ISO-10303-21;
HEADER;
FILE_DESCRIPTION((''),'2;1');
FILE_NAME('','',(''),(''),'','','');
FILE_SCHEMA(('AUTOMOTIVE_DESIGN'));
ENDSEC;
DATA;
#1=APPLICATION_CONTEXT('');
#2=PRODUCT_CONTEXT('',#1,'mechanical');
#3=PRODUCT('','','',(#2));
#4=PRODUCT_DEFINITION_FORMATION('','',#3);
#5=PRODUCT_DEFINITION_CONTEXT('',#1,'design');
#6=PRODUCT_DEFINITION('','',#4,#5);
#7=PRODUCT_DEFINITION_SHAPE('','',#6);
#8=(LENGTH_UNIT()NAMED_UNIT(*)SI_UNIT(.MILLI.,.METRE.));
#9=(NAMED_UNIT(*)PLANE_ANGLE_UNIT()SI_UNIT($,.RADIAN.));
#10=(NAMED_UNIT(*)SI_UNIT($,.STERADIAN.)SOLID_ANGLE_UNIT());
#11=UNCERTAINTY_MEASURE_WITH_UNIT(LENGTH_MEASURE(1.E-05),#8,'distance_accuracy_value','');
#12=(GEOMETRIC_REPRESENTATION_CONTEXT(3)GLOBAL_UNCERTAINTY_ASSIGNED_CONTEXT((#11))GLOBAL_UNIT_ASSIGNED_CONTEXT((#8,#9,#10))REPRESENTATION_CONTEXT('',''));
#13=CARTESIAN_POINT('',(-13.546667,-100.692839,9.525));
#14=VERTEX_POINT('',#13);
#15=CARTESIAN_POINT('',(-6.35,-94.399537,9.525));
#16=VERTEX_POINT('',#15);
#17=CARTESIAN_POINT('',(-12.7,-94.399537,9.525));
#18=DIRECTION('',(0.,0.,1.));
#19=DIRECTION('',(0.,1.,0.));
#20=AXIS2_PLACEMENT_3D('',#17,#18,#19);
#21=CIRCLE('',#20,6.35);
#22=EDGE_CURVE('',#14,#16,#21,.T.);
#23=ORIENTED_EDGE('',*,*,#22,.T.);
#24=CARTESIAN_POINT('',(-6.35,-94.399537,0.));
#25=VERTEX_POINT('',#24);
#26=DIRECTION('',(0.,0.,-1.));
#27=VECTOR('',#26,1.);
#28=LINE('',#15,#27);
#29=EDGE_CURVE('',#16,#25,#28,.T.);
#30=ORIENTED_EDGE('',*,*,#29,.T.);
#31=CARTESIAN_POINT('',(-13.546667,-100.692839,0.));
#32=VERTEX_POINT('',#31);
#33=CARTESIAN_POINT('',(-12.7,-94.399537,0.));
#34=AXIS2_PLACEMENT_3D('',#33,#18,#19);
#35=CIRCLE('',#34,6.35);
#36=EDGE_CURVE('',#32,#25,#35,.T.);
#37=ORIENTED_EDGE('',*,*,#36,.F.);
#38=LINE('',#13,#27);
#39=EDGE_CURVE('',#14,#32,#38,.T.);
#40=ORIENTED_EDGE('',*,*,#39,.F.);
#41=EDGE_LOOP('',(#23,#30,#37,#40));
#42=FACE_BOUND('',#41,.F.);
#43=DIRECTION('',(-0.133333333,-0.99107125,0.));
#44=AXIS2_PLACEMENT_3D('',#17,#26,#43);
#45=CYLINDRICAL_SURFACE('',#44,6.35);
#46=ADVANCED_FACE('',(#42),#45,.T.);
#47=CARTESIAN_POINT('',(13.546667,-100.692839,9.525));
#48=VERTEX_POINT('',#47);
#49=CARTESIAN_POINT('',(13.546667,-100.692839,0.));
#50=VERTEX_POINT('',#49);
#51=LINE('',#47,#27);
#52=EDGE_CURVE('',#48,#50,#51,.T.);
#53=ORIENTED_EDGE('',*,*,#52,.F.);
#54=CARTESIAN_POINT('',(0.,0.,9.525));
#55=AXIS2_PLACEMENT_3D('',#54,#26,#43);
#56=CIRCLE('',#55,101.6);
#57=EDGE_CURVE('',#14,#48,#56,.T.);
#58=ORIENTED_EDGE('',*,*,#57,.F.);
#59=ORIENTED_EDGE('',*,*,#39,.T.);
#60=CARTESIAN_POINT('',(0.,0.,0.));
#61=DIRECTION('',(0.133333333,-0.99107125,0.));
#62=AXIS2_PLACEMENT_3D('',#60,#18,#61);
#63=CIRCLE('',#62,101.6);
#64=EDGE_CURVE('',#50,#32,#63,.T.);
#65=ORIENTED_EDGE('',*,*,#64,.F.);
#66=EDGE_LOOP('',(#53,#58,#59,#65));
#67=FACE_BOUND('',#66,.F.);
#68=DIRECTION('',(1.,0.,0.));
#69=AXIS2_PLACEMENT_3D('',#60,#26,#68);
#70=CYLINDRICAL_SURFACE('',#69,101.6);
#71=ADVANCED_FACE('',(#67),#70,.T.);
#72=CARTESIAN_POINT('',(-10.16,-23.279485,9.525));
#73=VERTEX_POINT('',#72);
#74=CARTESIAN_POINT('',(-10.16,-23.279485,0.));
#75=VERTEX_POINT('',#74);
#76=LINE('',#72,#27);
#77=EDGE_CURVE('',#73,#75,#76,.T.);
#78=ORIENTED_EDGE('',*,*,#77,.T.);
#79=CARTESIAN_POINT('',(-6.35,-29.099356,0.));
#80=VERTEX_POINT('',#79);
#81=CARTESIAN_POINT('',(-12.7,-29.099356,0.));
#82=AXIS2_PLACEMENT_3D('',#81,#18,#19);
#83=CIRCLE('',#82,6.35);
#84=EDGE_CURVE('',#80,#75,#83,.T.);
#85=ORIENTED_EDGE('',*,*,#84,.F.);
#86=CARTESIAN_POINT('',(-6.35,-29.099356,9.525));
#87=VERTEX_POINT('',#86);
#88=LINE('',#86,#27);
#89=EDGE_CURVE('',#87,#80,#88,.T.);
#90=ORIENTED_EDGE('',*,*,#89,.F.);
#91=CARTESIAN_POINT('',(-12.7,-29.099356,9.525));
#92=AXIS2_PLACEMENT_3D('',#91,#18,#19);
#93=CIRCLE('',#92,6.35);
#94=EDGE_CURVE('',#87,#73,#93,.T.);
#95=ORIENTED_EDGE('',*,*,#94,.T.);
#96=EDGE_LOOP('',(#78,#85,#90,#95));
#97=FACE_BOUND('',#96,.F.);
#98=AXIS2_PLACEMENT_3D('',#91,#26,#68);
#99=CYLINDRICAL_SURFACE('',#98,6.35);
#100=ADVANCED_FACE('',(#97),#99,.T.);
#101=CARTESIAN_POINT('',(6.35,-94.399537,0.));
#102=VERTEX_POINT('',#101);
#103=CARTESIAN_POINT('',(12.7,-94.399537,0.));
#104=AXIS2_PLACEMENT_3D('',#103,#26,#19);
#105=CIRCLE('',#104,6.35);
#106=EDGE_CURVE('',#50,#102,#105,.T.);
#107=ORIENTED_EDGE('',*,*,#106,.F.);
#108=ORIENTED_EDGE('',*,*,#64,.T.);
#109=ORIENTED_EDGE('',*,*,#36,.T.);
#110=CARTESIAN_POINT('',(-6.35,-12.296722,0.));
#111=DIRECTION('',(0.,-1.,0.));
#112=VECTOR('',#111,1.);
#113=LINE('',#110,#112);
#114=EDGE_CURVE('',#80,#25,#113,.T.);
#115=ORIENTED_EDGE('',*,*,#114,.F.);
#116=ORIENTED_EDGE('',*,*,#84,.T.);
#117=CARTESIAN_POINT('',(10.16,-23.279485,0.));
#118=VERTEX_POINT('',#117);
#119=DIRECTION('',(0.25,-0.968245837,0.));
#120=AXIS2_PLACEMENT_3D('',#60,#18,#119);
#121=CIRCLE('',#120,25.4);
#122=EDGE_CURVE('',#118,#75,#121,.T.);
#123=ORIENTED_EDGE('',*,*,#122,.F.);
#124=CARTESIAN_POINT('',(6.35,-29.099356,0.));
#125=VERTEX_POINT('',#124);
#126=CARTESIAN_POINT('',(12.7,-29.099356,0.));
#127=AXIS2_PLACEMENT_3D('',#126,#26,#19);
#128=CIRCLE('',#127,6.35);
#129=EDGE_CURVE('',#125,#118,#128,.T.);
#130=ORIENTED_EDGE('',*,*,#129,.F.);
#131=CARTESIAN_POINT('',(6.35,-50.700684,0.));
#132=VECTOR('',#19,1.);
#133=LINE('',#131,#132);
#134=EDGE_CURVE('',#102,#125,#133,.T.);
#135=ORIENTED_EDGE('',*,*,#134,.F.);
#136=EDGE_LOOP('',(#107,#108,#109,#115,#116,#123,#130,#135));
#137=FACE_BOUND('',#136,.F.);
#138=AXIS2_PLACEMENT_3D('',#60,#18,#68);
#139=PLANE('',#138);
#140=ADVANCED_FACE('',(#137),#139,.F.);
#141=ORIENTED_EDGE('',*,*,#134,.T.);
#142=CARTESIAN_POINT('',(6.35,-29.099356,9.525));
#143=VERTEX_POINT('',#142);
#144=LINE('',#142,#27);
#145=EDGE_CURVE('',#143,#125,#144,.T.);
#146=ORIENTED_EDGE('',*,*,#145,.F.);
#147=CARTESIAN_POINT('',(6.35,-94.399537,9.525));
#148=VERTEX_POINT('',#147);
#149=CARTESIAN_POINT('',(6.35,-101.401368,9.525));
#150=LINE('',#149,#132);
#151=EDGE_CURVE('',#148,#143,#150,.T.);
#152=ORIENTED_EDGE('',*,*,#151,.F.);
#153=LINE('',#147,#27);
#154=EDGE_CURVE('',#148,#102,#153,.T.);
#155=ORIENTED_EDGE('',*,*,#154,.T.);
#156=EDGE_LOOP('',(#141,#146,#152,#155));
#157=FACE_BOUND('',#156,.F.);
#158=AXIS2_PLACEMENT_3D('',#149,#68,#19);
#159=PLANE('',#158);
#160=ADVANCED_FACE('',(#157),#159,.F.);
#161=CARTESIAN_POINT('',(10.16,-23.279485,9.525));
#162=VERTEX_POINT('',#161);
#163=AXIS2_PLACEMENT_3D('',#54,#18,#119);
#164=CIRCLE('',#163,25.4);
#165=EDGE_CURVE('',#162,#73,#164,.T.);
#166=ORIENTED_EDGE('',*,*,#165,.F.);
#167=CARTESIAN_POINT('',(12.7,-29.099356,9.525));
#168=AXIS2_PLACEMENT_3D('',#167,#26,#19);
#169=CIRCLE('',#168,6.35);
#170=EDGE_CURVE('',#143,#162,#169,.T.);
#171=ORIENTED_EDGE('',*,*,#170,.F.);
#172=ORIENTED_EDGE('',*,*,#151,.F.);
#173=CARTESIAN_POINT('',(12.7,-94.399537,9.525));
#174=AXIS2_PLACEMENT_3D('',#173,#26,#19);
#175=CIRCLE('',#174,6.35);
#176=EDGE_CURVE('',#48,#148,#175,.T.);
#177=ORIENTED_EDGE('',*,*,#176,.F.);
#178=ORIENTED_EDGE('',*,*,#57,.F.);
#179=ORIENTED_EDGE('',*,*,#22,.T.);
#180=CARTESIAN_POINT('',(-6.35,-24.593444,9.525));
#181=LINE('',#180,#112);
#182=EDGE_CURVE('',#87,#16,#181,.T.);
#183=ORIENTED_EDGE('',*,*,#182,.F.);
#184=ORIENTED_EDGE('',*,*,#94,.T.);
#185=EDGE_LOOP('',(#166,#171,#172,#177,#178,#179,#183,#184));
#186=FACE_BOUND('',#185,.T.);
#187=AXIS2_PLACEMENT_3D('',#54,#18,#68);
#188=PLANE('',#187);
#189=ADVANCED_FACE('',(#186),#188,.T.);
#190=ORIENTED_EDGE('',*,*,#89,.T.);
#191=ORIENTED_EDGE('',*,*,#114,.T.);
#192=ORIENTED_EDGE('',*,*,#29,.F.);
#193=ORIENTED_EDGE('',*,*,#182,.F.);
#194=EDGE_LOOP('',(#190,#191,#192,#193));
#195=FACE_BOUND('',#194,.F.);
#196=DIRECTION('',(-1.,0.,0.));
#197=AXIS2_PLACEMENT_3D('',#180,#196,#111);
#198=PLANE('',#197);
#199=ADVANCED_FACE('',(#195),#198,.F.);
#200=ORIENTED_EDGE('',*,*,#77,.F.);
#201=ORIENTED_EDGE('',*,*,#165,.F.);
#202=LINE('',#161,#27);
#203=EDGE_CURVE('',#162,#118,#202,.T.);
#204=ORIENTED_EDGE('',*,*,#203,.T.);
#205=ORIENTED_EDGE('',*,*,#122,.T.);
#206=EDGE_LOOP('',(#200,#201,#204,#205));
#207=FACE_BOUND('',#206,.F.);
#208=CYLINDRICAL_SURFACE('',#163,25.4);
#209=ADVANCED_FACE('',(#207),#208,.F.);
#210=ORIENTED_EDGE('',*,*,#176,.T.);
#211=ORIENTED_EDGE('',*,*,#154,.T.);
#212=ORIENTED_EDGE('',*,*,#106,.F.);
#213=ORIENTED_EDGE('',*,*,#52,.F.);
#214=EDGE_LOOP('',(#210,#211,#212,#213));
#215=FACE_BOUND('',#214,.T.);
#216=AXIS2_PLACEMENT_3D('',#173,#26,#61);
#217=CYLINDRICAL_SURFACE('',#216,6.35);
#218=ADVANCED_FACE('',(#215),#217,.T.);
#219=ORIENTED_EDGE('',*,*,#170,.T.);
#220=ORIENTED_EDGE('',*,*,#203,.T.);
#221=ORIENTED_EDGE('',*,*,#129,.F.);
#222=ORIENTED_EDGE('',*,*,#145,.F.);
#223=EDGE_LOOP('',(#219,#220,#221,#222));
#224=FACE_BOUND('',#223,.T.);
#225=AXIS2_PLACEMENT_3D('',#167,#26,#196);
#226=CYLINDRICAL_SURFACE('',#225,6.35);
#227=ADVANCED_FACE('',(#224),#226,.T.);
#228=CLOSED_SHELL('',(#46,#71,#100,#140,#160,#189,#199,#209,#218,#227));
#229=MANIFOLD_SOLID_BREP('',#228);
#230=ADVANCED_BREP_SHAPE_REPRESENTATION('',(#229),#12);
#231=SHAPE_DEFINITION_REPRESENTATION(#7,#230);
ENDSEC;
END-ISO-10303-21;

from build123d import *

# Parameters (mm, degrees)
F0_R     = 101.6
F1_DEPTH = 9.525
F3_DEPTH = 9.526
F4_R     = 6.35


with BuildPart() as f1:
    # F0 (on Top) → F1 (new body)
    with BuildSketch(Plane.XY):
        Circle(F0_R)
    extrude(amount=F1_DEPTH)

    # F2 (on face) → F3 (cut, through all)
    with BuildSketch(Plane.XY.offset(9.525)):
        with BuildLine():
            Line((6.35, -101.401368334), (6.35, -24.5934442484))
            ThreePointArc((6.35, -24.5934442484), (0, 25.4), (-6.35, -24.5934442484))
            Line((-6.35, -24.5934442484), (-6.35, -101.401368334))
            ThreePointArc((-6.35, -101.401368334), (0, -101.6), (6.35, -101.401368334))
        make_face()
    extrude(amount=-F3_DEPTH, mode=Mode.SUBTRACT)

    # F4
    f4_edges = [f1.edges().sort_by_distance(p)[0] for p in [
        (-6.35, -101.401368, 4.7625),
        (6.35, -101.401368, 4.7625),
        (-6.35, -24.593444, 4.7625),
        (6.35, -24.593444, 4.7625),
    ]]
    fillet(f4_edges, radius=F4_R)


solid = f1.part
